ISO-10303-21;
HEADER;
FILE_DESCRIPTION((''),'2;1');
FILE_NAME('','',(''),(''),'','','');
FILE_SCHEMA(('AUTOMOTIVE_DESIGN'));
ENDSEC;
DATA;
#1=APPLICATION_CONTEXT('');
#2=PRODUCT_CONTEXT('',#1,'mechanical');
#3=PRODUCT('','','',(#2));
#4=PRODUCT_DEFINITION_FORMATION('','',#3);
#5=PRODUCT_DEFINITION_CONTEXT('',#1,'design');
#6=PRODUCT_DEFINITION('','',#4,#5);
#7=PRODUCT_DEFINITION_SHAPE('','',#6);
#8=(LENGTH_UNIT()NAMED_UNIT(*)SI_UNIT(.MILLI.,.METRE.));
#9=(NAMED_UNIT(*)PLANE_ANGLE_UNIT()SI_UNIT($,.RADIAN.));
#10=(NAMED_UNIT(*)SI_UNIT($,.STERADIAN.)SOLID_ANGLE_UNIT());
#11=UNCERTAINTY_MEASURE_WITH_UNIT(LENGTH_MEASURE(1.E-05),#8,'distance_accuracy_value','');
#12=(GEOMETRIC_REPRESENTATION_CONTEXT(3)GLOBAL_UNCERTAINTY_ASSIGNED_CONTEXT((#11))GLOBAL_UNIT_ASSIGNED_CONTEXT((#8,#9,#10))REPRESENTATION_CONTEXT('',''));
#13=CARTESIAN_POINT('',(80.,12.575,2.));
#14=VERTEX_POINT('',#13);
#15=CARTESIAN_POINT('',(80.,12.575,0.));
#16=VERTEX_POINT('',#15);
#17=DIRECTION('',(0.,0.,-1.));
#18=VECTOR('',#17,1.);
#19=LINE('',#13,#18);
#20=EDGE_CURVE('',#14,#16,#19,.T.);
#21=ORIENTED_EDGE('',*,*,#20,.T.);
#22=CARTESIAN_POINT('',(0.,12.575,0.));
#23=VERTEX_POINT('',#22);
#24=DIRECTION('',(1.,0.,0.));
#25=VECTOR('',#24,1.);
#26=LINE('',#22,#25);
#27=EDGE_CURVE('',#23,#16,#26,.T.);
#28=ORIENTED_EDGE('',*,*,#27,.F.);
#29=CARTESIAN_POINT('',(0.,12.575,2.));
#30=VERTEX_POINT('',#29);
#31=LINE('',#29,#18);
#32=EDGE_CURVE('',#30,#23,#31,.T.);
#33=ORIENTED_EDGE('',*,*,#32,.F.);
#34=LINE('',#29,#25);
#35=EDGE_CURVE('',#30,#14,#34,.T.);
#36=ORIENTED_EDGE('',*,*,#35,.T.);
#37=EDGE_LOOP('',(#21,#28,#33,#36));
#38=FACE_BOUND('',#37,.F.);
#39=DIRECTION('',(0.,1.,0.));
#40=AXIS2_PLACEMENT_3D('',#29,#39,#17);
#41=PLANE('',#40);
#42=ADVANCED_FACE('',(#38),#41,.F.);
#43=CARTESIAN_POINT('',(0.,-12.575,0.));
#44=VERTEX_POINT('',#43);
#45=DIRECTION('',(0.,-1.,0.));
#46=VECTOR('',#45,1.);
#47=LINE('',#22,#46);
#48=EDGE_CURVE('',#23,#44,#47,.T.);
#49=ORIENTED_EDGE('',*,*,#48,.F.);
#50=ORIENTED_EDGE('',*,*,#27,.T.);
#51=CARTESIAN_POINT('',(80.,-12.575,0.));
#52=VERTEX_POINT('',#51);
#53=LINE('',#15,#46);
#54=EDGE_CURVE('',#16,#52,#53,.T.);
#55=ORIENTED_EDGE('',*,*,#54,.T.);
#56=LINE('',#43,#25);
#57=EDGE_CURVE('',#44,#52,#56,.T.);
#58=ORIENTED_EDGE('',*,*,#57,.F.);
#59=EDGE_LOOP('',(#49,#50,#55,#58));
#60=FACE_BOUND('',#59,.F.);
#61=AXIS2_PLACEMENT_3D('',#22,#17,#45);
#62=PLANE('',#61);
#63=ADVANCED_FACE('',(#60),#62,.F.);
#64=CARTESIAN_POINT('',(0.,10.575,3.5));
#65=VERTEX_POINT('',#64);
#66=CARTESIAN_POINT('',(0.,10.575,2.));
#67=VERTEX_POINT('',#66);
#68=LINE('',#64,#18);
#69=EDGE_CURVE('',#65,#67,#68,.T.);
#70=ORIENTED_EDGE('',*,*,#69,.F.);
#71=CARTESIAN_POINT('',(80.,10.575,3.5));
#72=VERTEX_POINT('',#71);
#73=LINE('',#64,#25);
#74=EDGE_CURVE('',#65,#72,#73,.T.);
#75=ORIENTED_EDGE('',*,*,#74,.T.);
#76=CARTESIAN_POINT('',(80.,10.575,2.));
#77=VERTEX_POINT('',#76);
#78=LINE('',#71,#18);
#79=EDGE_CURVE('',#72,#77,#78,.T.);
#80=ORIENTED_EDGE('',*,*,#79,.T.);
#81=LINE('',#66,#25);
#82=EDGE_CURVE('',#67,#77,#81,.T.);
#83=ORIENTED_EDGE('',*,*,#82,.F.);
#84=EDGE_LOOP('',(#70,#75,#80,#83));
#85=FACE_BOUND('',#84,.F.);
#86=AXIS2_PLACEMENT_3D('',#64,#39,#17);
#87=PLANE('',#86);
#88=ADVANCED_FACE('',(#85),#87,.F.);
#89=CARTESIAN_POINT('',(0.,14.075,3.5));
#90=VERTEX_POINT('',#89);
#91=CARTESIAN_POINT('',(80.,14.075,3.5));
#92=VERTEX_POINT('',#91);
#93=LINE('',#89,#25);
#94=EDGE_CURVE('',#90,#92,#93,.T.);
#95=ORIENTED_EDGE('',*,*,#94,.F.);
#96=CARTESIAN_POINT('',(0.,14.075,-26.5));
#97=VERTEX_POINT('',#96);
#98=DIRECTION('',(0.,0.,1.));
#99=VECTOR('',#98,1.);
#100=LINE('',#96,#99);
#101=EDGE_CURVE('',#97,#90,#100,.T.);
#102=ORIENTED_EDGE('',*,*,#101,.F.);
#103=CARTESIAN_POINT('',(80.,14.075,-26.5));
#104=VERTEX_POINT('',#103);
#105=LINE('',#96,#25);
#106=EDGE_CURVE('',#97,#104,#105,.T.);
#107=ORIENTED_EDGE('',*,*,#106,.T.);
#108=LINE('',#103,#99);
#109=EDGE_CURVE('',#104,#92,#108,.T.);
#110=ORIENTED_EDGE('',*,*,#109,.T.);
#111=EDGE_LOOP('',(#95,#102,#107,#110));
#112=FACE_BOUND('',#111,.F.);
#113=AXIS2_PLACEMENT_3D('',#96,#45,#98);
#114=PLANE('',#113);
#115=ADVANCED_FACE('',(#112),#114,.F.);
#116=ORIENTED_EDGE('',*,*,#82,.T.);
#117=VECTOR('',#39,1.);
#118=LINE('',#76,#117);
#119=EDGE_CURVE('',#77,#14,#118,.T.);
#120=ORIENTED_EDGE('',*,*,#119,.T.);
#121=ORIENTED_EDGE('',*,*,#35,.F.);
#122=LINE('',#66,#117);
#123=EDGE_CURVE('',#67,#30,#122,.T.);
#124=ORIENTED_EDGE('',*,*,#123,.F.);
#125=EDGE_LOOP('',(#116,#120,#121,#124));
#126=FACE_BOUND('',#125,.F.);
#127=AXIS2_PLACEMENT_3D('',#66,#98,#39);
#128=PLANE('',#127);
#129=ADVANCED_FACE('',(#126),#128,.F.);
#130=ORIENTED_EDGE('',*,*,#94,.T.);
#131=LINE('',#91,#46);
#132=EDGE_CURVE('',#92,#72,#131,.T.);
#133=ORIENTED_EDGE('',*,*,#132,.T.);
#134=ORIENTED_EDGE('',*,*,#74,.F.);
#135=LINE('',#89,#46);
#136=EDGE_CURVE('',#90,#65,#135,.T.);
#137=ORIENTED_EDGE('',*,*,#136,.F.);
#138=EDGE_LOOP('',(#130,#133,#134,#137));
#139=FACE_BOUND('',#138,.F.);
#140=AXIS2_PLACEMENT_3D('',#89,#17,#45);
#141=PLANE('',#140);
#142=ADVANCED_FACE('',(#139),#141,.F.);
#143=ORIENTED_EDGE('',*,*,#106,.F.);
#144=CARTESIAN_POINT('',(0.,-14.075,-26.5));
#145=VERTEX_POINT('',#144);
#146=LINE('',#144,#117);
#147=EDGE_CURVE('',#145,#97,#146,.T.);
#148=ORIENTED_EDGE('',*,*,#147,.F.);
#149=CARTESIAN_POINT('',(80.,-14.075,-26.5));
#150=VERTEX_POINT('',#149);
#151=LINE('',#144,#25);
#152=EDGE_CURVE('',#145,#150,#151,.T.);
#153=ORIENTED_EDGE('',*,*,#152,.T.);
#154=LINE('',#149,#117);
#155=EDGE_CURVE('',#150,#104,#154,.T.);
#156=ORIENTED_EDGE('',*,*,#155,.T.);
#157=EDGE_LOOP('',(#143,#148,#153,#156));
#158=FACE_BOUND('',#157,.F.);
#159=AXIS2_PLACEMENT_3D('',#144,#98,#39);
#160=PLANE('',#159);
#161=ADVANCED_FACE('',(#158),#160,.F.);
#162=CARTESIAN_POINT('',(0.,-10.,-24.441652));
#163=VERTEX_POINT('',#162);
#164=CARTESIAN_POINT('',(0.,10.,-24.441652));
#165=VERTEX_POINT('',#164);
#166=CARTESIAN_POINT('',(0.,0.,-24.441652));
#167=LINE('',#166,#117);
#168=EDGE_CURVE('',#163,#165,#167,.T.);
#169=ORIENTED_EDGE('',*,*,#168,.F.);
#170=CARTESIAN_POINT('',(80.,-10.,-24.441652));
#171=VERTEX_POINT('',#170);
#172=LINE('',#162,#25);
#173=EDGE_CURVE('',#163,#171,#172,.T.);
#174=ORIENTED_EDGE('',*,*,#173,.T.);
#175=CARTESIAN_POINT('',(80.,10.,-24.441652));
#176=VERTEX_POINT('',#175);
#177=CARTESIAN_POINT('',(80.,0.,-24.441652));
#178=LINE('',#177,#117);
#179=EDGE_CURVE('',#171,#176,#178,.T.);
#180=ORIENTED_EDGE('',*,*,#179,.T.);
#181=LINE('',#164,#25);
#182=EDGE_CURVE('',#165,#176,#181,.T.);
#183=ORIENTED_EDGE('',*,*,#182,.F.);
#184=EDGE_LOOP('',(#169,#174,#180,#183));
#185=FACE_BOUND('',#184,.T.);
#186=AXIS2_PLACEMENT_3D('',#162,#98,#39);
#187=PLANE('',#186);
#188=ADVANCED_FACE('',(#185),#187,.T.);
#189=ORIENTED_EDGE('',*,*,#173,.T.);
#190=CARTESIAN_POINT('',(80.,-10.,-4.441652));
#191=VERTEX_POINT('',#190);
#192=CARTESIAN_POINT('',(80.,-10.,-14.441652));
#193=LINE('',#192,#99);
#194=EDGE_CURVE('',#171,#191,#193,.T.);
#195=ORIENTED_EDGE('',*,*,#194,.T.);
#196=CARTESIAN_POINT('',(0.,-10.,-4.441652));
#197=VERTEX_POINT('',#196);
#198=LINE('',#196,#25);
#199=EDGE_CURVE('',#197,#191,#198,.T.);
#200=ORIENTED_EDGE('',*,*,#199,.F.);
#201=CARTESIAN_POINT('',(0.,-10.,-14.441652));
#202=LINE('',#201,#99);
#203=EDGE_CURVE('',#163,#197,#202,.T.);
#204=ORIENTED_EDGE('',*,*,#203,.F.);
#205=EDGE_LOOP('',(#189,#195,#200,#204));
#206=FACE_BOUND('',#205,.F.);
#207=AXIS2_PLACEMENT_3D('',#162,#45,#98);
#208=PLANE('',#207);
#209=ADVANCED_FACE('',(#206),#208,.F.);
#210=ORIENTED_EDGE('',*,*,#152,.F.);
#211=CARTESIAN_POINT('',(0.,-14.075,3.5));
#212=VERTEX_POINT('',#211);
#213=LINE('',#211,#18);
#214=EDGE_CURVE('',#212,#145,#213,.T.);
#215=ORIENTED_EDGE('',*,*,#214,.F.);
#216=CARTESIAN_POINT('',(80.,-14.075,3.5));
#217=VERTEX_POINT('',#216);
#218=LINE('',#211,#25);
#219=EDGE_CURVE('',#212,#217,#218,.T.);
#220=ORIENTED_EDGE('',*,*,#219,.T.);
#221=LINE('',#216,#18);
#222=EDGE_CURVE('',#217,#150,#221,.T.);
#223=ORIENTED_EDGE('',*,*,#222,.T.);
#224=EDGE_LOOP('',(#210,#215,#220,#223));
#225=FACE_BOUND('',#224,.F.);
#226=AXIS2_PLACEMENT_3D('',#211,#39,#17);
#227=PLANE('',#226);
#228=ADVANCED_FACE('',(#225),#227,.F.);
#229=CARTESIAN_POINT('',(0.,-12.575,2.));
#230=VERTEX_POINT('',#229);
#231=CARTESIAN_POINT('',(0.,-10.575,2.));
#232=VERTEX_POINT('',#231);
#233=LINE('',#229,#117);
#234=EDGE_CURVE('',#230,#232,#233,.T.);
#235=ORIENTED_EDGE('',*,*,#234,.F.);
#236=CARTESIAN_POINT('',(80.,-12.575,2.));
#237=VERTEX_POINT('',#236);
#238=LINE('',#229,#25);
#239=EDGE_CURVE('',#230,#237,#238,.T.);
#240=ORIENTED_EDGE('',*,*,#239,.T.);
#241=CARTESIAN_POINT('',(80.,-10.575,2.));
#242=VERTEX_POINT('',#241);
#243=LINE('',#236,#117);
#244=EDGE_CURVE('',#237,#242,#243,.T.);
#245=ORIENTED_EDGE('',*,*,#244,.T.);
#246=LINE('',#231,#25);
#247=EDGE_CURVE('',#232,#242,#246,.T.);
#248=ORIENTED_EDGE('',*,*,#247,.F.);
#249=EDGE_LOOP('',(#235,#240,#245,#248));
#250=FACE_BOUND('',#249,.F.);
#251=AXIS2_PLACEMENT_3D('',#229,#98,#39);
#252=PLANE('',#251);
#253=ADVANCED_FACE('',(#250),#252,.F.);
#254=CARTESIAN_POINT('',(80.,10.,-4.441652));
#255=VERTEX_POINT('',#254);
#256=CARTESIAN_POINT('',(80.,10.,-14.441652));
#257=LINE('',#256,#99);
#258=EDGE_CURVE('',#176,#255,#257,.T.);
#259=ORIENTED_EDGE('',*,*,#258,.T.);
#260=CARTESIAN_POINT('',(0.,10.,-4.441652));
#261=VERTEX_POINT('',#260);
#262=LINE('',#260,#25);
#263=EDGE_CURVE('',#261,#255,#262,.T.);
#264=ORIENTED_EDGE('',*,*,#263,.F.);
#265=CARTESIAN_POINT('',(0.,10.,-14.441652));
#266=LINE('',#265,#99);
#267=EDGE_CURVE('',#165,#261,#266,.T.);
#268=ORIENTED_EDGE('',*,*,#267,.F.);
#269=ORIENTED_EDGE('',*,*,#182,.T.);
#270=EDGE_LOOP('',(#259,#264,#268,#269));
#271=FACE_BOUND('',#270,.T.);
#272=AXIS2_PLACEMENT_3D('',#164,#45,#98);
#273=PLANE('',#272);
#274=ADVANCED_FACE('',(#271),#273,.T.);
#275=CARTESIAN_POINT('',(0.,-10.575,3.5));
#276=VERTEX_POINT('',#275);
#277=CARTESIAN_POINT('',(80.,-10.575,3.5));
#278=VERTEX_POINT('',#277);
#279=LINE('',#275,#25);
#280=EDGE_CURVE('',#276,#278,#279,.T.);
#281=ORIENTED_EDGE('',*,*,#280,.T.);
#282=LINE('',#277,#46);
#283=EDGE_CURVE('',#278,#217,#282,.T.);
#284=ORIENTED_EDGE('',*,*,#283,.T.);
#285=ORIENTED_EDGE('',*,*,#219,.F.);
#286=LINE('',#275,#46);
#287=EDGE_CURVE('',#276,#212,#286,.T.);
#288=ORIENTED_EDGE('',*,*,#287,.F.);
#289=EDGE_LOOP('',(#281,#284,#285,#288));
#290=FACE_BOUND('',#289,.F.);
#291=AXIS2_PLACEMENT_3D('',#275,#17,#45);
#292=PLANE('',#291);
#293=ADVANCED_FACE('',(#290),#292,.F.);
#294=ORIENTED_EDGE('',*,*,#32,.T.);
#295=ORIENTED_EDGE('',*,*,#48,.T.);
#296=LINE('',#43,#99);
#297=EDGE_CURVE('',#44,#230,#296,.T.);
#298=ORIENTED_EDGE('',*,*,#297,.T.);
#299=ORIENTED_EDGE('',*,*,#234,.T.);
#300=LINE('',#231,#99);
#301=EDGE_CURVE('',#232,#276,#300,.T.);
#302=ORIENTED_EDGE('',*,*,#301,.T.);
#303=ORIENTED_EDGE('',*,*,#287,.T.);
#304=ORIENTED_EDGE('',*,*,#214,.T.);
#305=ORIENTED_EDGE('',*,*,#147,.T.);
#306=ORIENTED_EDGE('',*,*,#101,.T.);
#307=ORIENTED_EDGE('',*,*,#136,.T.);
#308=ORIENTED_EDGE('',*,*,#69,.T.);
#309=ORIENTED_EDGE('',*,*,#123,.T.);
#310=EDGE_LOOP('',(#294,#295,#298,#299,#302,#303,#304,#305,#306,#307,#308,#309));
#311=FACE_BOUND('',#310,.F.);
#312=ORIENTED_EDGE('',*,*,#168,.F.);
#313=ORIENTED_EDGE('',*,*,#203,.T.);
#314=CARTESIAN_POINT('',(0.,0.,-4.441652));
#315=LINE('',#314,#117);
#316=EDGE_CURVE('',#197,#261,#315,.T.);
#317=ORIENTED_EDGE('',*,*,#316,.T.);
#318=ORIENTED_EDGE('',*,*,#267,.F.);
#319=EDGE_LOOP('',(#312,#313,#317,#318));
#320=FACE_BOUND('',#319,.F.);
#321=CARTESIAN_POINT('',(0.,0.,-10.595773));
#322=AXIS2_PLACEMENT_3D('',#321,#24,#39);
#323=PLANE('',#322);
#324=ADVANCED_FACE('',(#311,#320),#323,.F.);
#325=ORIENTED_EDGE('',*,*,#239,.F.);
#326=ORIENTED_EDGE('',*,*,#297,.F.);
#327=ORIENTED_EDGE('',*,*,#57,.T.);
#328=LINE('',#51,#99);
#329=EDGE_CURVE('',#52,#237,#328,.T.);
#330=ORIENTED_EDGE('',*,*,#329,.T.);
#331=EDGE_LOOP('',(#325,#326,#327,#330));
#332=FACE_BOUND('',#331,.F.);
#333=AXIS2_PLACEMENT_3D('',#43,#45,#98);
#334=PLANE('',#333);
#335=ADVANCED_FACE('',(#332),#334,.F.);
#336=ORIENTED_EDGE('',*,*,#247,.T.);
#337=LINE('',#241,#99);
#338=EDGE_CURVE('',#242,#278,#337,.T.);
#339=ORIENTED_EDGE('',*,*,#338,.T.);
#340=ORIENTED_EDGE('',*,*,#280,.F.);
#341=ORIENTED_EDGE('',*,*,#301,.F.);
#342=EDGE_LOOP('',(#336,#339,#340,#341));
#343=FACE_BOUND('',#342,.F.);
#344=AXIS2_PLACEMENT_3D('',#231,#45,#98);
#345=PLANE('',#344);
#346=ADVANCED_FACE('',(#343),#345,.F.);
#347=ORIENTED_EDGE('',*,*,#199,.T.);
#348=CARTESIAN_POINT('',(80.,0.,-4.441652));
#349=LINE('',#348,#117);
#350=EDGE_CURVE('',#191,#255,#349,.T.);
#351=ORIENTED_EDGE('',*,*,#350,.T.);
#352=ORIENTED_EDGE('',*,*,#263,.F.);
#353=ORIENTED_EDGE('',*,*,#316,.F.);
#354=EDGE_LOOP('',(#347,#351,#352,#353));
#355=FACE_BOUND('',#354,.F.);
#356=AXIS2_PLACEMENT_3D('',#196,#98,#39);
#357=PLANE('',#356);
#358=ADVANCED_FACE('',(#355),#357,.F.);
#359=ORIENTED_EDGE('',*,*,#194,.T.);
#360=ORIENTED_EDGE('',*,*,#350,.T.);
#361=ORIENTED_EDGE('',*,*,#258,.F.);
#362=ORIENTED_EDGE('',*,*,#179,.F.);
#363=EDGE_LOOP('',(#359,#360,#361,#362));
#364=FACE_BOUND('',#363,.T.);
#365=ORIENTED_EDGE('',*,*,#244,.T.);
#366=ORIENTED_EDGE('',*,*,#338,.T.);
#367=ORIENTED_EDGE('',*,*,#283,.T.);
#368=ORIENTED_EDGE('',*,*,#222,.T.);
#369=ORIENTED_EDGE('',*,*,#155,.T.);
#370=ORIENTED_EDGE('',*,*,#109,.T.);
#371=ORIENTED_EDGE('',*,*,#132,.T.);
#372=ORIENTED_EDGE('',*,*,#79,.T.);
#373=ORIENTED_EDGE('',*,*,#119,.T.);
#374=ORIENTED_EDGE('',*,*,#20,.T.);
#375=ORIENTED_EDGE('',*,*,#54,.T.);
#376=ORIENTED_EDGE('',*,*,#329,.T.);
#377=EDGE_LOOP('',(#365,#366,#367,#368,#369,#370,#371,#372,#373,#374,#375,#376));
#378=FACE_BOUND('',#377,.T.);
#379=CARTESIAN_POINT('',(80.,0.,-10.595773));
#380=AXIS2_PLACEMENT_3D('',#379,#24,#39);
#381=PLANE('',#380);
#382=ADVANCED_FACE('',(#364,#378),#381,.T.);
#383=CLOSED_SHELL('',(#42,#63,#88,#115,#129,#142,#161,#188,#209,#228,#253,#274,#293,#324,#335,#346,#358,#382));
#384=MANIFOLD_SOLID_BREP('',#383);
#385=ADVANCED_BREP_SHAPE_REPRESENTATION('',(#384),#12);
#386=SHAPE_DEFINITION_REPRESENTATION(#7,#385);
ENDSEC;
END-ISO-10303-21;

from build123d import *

# Parameters (mm, degrees)
F0_W     = 20
F0_H     = 20
F1_DEPTH = 80


with BuildPart() as f1:
    # F0 (on Right) → F1 (new body)
    with BuildSketch(Plane.YZ):
        Polygon((12.575, 0), (0, 0), (-12.575, 0), (-12.575, 2), (-10.575, 2), (-10.575, 3.5), (-14.075, 3.5), (-14.075, -26.5), (0, -26.5), (14.075, -26.5), (14.075, 3.5), (10.575, 3.5), (10.575, 2), (12.575, 2), align=None)
        with Locations((0, -14.441652)):
            Rectangle(F0_W, F0_H, mode=Mode.SUBTRACT)
    extrude(amount=F1_DEPTH)


solid = f1.part
